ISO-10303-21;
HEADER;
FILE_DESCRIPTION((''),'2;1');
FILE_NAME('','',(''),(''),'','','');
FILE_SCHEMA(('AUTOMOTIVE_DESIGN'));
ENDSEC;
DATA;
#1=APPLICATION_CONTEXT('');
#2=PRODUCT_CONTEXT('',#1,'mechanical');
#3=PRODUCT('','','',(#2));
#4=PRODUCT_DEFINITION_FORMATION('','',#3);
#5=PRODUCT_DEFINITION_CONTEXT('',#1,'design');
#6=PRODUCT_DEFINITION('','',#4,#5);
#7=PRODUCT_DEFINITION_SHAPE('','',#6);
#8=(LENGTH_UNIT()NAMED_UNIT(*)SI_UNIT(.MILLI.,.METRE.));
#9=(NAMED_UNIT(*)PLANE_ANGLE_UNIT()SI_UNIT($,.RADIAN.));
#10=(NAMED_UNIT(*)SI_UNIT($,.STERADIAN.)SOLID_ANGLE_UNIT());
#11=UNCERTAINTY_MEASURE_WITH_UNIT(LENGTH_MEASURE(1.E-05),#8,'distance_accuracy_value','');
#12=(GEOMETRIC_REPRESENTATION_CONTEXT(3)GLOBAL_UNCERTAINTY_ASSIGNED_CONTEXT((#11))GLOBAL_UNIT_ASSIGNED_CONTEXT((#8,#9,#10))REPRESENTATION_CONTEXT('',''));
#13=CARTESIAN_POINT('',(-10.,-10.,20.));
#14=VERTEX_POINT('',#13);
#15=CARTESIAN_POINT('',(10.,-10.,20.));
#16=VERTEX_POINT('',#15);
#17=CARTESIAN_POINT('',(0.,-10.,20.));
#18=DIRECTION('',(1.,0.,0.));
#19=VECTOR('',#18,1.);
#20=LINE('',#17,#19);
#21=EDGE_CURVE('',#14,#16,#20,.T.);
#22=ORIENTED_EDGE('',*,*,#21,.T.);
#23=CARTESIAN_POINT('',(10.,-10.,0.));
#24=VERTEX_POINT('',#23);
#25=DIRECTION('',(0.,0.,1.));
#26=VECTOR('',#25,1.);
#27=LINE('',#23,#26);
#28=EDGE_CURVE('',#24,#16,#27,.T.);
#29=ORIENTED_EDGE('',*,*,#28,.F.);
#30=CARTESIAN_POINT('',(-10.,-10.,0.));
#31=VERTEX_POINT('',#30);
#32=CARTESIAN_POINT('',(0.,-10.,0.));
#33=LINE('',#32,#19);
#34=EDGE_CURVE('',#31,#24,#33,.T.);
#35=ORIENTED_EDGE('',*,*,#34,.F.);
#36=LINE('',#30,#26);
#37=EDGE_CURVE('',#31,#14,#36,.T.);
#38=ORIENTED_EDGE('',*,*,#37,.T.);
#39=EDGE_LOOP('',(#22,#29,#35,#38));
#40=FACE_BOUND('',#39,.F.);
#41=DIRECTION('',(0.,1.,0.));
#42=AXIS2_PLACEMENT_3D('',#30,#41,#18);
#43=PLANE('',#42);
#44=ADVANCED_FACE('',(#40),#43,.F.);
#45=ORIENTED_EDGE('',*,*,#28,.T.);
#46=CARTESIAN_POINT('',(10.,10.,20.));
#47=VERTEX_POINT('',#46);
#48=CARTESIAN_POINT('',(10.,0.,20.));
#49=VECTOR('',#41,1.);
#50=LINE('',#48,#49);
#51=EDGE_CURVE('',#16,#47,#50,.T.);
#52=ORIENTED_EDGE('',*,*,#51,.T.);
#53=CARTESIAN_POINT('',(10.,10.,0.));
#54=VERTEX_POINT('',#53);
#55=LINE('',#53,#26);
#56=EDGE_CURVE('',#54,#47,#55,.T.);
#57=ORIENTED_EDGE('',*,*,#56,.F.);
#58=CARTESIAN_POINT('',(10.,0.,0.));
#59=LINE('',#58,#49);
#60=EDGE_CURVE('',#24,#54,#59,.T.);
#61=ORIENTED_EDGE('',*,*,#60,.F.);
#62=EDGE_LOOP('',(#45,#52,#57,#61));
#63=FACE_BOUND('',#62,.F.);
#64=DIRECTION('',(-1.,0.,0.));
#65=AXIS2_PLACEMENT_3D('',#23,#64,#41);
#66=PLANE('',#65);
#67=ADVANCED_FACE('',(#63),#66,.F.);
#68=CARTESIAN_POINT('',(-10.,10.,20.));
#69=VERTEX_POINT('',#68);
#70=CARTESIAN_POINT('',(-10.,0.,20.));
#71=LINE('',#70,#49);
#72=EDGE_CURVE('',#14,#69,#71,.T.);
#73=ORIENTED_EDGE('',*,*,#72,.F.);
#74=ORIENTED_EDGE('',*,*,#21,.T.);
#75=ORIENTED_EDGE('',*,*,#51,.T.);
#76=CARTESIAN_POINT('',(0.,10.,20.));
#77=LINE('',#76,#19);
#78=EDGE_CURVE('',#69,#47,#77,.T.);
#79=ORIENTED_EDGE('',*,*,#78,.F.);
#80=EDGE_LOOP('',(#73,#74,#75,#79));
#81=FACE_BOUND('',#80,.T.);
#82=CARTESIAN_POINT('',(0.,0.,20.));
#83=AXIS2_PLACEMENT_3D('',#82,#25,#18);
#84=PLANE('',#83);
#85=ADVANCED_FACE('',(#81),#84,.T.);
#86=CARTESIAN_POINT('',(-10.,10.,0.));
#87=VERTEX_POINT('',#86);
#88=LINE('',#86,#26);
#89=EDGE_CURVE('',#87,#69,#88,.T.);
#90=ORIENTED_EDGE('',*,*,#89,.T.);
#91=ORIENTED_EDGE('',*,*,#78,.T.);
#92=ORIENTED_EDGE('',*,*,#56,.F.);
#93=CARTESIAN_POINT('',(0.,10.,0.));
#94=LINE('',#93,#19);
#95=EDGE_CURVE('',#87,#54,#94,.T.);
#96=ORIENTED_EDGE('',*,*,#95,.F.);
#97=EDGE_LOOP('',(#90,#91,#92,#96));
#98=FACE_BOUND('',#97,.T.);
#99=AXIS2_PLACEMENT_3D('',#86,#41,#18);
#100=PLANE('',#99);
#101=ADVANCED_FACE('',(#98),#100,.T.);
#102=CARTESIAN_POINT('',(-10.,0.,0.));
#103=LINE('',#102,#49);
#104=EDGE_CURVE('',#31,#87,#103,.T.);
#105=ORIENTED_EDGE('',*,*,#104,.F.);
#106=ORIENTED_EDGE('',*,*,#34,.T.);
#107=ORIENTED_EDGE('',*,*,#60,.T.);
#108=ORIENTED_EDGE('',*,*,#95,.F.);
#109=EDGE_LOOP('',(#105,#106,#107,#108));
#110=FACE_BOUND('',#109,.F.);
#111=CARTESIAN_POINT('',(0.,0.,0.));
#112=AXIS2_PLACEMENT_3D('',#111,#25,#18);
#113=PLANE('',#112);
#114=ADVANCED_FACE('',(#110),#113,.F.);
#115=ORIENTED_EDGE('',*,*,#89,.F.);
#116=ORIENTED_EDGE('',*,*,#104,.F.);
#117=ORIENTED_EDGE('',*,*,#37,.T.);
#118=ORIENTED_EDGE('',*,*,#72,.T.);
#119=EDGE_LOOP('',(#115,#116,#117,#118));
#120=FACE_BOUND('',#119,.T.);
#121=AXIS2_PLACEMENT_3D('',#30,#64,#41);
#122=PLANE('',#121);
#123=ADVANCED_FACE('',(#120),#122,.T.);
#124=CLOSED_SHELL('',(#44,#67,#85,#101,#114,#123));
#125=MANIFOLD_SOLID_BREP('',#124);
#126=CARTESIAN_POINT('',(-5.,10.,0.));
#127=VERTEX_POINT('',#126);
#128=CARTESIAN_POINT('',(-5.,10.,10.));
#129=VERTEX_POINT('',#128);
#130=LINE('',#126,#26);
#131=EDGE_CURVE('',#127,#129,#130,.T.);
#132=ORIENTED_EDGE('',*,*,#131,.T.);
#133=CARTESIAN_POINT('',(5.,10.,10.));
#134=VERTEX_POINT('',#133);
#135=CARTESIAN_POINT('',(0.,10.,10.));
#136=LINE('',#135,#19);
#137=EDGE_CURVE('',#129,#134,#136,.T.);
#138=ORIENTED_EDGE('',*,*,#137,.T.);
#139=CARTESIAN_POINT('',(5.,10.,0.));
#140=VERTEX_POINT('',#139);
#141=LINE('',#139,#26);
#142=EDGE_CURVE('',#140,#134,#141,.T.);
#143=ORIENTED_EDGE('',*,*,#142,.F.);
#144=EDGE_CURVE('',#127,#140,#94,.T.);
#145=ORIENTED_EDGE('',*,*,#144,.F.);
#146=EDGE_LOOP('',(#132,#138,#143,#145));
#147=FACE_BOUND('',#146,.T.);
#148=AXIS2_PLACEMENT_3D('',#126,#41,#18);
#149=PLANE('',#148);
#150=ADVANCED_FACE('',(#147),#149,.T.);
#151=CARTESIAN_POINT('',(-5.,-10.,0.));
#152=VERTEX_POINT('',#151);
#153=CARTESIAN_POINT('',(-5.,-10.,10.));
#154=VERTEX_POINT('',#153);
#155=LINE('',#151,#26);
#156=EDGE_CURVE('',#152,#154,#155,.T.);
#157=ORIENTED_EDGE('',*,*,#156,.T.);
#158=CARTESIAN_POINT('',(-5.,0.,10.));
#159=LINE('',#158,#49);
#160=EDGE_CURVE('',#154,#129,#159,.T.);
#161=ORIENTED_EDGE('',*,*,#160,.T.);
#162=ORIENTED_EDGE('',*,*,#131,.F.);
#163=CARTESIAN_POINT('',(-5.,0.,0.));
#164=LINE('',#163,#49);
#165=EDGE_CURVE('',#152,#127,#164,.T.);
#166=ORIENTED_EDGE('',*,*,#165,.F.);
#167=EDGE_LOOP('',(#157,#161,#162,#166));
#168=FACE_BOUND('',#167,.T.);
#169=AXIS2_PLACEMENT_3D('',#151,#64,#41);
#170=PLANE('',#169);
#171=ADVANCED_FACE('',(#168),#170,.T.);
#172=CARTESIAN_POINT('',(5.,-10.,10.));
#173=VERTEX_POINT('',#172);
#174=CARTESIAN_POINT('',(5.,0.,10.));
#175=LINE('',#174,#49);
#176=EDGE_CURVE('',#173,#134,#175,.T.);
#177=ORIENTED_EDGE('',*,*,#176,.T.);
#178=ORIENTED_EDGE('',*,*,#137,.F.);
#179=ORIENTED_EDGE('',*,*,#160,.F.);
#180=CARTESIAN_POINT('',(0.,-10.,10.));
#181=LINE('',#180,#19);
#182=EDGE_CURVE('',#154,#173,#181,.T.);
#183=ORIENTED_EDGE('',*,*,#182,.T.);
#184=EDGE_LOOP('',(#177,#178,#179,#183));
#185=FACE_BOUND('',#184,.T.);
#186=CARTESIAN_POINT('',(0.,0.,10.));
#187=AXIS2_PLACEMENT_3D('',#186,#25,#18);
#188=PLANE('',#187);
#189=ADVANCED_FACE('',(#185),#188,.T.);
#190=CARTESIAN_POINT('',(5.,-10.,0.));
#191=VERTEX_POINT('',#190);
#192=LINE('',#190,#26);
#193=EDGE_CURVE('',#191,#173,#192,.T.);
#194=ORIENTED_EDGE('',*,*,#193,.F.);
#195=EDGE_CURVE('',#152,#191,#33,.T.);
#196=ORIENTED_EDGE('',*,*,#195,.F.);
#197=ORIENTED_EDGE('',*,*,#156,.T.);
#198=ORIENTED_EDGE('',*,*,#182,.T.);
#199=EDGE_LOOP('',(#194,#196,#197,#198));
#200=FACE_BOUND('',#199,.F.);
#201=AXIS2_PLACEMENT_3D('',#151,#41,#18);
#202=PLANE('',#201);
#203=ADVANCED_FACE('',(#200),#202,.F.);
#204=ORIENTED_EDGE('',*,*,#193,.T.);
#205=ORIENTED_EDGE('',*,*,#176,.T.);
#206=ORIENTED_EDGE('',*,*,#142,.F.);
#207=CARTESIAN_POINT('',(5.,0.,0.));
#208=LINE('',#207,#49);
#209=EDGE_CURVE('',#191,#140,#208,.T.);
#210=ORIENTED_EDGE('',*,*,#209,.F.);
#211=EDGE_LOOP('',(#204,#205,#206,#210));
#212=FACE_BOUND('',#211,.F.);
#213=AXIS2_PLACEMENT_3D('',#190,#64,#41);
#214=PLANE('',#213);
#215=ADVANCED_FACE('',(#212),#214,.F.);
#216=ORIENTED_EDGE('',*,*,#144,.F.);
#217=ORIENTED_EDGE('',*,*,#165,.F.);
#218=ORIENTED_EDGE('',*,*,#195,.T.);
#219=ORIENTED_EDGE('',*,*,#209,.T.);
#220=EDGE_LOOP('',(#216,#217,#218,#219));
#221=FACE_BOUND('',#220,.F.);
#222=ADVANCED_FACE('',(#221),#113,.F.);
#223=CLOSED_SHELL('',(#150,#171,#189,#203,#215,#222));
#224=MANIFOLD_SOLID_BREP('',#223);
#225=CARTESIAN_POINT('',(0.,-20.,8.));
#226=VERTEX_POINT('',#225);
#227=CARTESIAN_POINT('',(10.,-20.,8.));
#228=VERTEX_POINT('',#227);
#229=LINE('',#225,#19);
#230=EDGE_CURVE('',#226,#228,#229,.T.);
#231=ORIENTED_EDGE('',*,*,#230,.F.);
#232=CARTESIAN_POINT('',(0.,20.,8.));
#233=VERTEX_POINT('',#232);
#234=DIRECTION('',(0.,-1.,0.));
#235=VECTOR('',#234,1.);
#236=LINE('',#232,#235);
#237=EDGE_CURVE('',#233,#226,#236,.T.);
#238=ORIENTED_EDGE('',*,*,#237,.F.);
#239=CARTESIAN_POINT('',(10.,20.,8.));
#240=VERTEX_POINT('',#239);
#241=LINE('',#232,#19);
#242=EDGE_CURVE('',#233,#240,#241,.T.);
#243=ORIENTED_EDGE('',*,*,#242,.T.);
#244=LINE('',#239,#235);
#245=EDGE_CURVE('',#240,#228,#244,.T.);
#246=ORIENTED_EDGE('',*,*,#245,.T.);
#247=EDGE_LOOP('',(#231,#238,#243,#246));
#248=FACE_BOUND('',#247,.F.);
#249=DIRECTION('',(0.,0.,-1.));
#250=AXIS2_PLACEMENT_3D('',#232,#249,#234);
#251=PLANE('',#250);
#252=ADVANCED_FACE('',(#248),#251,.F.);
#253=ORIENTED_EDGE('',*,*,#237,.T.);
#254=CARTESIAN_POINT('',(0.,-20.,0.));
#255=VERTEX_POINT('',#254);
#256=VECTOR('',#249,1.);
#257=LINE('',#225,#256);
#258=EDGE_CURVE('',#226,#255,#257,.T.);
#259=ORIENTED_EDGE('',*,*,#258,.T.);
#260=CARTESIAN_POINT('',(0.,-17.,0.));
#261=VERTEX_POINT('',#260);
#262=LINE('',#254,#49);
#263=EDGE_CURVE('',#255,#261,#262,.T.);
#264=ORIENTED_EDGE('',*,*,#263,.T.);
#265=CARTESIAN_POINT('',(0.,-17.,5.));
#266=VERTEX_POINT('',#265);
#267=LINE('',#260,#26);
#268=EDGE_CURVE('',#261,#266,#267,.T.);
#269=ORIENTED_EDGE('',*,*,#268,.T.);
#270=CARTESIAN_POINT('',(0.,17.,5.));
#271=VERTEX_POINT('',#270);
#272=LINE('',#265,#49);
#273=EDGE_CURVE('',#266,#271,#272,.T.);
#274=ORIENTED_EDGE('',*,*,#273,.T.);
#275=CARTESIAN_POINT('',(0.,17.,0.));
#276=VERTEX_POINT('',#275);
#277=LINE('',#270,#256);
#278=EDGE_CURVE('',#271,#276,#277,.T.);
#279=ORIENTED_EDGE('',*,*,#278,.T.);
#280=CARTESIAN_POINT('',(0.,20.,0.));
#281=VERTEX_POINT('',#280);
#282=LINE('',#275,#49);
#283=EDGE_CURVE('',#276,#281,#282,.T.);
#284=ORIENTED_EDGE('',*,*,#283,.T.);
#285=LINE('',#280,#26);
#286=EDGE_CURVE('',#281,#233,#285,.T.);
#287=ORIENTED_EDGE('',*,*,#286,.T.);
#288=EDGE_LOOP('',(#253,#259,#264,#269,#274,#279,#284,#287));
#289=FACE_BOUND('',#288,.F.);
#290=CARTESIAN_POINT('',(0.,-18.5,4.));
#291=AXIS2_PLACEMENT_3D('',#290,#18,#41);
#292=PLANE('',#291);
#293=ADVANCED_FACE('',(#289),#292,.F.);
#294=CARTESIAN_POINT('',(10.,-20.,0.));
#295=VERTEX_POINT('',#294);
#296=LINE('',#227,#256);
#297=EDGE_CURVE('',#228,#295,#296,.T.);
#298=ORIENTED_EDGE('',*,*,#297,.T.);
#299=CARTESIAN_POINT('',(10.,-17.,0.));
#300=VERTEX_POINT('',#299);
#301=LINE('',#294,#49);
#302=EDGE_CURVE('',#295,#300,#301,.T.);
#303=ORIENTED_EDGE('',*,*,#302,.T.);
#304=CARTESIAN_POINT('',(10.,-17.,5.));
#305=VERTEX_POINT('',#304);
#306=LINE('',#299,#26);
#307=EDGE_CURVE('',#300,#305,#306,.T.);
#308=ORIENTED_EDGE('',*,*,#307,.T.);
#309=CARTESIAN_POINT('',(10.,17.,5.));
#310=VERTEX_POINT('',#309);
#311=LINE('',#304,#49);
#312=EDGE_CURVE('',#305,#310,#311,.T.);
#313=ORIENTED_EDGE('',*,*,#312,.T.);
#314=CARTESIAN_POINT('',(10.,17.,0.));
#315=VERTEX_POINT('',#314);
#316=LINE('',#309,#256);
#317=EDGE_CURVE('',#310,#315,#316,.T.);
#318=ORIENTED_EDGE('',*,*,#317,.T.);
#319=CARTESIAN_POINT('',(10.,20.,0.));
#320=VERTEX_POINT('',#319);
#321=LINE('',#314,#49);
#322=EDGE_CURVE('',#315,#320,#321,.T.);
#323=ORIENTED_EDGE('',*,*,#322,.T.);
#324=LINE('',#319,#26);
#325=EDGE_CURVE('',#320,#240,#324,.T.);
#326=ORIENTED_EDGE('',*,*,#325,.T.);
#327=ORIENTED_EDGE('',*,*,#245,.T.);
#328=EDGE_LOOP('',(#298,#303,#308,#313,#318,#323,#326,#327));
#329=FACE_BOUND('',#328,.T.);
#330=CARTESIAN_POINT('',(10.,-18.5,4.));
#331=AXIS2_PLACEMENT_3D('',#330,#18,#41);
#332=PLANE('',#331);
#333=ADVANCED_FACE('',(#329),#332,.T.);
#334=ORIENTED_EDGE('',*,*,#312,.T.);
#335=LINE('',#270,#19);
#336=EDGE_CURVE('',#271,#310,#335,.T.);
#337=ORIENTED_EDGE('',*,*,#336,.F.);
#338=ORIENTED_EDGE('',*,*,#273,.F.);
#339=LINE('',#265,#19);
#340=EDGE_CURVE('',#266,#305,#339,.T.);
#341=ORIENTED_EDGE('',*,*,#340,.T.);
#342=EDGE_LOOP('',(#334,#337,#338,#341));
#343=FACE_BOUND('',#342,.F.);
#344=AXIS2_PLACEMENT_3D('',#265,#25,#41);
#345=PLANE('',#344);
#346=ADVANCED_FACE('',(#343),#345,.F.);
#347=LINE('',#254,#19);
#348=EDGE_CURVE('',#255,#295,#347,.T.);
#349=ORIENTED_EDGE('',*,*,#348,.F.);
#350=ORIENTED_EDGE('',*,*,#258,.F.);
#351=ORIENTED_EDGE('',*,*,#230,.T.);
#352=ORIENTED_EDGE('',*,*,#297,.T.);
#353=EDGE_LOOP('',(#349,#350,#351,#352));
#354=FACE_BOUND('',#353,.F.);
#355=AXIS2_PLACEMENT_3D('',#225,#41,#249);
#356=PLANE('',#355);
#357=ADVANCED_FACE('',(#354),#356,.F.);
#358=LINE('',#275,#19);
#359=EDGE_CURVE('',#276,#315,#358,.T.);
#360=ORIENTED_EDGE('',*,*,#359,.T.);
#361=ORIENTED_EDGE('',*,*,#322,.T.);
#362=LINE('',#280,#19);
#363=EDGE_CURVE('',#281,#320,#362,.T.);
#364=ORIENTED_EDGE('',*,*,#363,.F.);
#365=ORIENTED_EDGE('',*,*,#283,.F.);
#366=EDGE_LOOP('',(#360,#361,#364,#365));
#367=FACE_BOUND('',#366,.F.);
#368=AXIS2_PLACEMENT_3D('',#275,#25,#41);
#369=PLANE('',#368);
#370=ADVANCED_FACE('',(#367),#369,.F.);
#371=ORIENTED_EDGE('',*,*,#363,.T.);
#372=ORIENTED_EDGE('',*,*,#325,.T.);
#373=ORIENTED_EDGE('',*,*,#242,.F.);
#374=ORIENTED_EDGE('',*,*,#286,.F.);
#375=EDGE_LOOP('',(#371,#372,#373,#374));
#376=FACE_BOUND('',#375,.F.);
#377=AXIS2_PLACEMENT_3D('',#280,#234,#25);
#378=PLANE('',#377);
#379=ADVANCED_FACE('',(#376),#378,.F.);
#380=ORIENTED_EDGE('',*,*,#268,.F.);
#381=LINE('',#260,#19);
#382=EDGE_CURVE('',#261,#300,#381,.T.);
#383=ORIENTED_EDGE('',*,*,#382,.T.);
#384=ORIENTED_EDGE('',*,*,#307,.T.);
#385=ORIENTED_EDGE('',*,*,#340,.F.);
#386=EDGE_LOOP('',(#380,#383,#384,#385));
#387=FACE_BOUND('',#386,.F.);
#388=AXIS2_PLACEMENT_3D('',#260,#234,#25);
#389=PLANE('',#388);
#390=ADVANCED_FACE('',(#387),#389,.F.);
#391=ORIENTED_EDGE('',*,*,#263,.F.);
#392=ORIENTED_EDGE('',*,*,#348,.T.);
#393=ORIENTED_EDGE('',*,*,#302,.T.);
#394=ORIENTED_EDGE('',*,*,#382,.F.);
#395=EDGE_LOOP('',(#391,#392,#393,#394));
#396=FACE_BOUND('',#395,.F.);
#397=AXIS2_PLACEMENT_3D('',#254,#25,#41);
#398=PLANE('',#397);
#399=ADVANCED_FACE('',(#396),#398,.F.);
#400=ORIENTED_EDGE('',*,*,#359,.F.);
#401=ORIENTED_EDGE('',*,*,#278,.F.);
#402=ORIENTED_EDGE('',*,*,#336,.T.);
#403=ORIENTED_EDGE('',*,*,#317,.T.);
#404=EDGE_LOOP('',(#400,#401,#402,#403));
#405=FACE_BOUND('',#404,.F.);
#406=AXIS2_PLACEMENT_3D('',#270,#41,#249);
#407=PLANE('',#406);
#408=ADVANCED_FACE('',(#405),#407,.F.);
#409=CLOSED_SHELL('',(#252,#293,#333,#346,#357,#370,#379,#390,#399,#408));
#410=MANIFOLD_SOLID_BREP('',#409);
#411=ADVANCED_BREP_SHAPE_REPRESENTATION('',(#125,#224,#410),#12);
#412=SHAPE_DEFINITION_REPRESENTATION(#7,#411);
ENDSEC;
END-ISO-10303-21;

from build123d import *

# Parameters (mm, degrees)
F0_W     = 20
F0_H     = 20
F1_DEPTH = 20
F2_W     = 10
F2_H     = 20
F3_DEPTH = 10
F4_W     = 17
F4_H     = 3
F5_DEPTH = 10


with BuildPart() as f1:
    # F0 (on Top) → F1 (new body)
    with BuildSketch(Plane.XY):
        Rectangle(F0_W, F0_H)
    extrude(amount=F1_DEPTH)


with BuildPart() as f3:
    # F2 (on Top) → F3 (new body)
    with BuildSketch(Plane.XY):
        Rectangle(F2_W, F2_H)
    extrude(amount=F3_DEPTH)


with BuildPart() as f5:
    # F4 (on Right) → F5 (new body)
    with BuildSketch(Plane.YZ):
        Polygon((-20, 8), (-20, 0), (-17, 0), (-17, 5), (-17, 8), align=None)
        with Locations((-8.5, 6.5)):
            Rectangle(F4_W, F4_H)
        with Locations((8.5, 6.5)):
            Rectangle(F4_W, F4_H)
        Polygon((17, 8), (17, 5), (17, 0), (20, 0), (20, 8), align=None)
    extrude(amount=F5_DEPTH)


solid = Compound([f1.part, f3.part, f5.part])
